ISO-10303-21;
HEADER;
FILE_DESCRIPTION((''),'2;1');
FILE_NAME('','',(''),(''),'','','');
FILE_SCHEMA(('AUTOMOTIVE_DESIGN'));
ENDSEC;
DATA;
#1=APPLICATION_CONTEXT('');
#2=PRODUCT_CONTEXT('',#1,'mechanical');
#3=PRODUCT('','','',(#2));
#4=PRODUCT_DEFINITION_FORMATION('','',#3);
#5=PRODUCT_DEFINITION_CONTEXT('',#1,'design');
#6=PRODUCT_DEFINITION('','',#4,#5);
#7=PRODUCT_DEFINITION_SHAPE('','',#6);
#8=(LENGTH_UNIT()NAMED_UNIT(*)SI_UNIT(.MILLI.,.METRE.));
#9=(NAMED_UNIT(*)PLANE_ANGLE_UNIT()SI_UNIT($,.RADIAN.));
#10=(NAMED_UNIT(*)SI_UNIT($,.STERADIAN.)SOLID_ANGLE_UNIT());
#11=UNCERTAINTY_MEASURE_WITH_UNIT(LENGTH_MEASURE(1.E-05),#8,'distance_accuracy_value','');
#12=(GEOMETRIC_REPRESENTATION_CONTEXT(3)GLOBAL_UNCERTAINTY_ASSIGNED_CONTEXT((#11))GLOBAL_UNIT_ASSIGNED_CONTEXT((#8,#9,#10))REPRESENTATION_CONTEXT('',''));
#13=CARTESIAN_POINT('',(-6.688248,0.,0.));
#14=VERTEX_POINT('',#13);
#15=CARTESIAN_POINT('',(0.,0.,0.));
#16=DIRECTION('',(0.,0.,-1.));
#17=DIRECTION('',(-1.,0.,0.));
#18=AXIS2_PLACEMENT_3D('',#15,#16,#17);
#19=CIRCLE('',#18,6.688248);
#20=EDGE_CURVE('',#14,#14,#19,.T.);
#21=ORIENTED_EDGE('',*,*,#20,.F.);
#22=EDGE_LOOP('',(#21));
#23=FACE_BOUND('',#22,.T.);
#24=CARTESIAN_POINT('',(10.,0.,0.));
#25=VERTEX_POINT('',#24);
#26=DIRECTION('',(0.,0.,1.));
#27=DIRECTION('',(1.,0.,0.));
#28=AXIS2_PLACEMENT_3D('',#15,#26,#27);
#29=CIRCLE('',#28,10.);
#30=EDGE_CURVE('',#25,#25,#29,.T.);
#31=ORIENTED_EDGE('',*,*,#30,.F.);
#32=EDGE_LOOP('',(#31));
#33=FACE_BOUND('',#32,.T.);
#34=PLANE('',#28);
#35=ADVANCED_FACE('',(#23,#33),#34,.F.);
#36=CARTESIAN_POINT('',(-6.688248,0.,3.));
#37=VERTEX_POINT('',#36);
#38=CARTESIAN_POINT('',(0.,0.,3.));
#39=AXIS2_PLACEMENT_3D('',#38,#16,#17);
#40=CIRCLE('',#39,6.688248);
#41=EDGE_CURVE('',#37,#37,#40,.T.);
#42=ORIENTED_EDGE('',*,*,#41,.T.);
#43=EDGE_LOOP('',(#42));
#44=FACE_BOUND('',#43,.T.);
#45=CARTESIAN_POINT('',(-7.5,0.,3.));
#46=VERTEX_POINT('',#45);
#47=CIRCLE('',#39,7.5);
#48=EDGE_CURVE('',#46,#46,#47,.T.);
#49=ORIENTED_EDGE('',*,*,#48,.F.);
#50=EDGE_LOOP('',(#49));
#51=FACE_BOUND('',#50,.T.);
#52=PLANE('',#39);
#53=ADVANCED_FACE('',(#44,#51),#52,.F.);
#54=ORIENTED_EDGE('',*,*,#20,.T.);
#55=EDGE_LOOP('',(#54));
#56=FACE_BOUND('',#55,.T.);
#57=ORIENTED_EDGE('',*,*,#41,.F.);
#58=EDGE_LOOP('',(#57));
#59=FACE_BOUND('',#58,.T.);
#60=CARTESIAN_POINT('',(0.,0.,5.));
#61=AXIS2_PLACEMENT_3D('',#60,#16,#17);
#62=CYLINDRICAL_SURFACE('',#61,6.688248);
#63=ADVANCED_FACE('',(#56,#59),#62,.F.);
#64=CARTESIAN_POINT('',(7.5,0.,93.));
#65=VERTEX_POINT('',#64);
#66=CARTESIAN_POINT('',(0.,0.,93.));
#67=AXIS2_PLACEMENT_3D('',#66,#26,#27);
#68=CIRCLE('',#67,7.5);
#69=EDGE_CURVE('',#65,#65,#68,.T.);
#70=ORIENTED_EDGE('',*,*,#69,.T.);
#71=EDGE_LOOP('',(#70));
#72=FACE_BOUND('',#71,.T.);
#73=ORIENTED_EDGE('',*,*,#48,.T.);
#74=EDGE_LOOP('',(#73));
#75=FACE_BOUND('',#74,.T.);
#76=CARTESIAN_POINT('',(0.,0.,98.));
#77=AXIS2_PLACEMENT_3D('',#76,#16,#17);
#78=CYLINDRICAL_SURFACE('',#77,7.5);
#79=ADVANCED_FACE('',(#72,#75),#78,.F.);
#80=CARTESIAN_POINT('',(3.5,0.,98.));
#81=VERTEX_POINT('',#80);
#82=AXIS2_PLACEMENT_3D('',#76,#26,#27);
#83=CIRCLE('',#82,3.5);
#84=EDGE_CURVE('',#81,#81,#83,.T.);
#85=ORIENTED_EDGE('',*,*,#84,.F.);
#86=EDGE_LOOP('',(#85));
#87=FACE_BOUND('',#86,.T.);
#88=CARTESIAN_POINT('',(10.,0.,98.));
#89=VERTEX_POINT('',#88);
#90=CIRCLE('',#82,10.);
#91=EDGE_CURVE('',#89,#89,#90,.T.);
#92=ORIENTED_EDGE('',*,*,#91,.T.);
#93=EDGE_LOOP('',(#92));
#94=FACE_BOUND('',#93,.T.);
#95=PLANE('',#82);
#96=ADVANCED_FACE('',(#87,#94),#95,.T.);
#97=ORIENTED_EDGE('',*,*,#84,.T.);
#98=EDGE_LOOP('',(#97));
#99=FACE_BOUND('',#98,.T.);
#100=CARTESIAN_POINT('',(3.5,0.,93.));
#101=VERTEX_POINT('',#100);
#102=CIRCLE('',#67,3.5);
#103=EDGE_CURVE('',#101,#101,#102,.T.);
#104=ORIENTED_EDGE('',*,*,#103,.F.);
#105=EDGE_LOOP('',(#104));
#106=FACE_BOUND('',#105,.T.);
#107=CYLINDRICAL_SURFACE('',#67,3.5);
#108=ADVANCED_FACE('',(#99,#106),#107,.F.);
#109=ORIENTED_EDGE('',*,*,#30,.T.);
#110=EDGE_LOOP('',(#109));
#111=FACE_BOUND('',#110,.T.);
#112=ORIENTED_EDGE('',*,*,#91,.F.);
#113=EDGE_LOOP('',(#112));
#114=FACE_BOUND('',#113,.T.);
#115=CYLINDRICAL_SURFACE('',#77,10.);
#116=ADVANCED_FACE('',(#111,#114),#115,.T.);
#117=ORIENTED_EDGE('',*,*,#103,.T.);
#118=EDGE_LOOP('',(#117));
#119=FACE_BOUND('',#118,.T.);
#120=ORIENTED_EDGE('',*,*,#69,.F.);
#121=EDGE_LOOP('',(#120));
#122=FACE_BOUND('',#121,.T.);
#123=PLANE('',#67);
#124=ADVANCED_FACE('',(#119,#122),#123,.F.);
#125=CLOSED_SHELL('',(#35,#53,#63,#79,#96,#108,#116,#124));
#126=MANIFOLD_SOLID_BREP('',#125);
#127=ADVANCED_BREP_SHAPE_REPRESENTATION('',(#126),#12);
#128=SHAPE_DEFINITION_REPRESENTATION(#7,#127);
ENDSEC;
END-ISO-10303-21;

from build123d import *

# Parameters (mm, degrees)
SKETCH1_R           = 10
SKETCH1_R_2         = 7.5
BOSS_EXTRUDE1_DEPTH = 98
SKETCH2_R           = 7.5
BOSS_EXTRUDE2_DEPTH = 5
SKETCH3_R           = 3.5
CUT_EXTRUDE1_DEPTH  = 5
SKETCH4_R           = 7.5
BOSS_EXTRUDE4_DEPTH = 3
SKETCH5_R           = 6.688248189
CUT_EXTRUDE2_DEPTH  = 5


with BuildPart() as part:
    # Sketch1 → Boss-Extrude1 (new body)
    with BuildSketch(Plane.XY):
        Circle(SKETCH1_R)
        Circle(SKETCH1_R_2, mode=Mode.SUBTRACT)
    extrude(amount=BOSS_EXTRUDE1_DEPTH)

    # Sketch2 → Boss-Extrude2 (add)
    with BuildSketch(Plane.XY.offset(98)):
        Circle(SKETCH2_R)
    extrude(amount=-BOSS_EXTRUDE2_DEPTH)

    # Sketch3 → Cut-Extrude1 (cut)
    with BuildSketch(Plane.XY.offset(98)):
        Circle(SKETCH3_R)
    extrude(amount=-CUT_EXTRUDE1_DEPTH, mode=Mode.SUBTRACT)

    # Sketch4 → Boss-Extrude4 (add)
    with BuildSketch(Plane(origin=(0, 0, 0), x_dir=(-1, 0, 0), z_dir=(0, 0, -1))):
        Circle(SKETCH4_R)
    extrude(amount=-BOSS_EXTRUDE4_DEPTH)

    # Sketch5 → Cut-Extrude2 (cut)
    with BuildSketch(Plane(origin=(0, 0, 0), x_dir=(-1, 0, 0), z_dir=(0, 0, -1))):
        Circle(SKETCH5_R)
    extrude(amount=-CUT_EXTRUDE2_DEPTH, mode=Mode.SUBTRACT)


solid = part.part
